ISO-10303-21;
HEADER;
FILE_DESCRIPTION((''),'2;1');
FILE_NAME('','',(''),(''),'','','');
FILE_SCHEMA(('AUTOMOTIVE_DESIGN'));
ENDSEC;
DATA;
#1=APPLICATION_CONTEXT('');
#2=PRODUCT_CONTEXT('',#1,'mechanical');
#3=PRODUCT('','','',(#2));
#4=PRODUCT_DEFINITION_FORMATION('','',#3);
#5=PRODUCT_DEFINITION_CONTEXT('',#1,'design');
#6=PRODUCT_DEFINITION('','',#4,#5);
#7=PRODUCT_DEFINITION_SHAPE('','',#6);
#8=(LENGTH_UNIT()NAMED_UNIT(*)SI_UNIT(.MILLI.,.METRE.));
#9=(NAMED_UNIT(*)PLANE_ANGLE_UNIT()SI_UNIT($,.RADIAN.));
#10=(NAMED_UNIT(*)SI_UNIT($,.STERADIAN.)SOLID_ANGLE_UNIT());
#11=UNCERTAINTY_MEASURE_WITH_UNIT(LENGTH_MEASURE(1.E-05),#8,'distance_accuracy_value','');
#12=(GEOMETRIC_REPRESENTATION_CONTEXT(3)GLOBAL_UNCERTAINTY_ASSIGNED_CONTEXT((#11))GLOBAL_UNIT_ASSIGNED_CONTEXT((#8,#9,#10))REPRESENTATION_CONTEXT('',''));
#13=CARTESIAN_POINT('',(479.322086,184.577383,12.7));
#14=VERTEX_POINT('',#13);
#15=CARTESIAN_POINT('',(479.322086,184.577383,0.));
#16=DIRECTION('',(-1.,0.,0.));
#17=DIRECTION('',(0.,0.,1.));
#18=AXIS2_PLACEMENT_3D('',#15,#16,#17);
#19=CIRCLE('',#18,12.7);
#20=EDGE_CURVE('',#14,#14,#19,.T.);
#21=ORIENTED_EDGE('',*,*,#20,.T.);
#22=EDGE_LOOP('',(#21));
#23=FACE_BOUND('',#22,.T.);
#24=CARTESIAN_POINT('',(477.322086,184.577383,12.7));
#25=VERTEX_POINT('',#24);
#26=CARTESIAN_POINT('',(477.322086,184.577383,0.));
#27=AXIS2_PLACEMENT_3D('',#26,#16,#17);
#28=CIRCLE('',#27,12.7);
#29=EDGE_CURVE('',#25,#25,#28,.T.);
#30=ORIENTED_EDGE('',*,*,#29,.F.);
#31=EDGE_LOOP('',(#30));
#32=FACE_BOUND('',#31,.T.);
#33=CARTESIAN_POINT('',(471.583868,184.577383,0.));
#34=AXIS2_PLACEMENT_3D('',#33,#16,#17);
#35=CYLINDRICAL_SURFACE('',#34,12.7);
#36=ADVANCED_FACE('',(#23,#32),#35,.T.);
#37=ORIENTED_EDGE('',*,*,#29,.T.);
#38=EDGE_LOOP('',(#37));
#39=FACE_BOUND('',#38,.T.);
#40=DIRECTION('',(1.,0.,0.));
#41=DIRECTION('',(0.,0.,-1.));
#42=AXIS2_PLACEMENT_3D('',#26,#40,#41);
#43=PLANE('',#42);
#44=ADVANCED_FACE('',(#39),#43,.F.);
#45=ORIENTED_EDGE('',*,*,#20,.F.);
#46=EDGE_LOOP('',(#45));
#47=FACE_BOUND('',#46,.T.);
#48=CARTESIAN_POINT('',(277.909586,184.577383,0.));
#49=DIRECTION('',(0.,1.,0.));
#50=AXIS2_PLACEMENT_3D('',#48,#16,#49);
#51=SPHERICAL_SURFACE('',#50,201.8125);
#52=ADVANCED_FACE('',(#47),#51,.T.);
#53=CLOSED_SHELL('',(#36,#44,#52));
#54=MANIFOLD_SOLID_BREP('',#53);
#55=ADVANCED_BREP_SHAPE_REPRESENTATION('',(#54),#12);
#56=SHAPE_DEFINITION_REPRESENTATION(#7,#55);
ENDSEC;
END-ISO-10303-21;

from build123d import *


with BuildPart() as part:
    # 草图1 → 旋转1 (revolve)
    with BuildSketch(Plane.XY):
        with BuildLine():
            Line((477.322086179, 184.577382555), (477.322086179, 197.277382555))
            Line((477.322086179, 197.277382555), (479.322086179, 197.277382555))
            ThreePointArc((479.322086179, 197.277382555), (479.622061391, 190.930531381), (479.722086179, 184.577382555))
            Line((479.722086179, 184.577382555), (477.322086179, 184.577382555))
        make_face()
    revolve(axis=Axis((471.583868143, 184.577382555, 0), (1, 0, 0)))


solid = part.part
